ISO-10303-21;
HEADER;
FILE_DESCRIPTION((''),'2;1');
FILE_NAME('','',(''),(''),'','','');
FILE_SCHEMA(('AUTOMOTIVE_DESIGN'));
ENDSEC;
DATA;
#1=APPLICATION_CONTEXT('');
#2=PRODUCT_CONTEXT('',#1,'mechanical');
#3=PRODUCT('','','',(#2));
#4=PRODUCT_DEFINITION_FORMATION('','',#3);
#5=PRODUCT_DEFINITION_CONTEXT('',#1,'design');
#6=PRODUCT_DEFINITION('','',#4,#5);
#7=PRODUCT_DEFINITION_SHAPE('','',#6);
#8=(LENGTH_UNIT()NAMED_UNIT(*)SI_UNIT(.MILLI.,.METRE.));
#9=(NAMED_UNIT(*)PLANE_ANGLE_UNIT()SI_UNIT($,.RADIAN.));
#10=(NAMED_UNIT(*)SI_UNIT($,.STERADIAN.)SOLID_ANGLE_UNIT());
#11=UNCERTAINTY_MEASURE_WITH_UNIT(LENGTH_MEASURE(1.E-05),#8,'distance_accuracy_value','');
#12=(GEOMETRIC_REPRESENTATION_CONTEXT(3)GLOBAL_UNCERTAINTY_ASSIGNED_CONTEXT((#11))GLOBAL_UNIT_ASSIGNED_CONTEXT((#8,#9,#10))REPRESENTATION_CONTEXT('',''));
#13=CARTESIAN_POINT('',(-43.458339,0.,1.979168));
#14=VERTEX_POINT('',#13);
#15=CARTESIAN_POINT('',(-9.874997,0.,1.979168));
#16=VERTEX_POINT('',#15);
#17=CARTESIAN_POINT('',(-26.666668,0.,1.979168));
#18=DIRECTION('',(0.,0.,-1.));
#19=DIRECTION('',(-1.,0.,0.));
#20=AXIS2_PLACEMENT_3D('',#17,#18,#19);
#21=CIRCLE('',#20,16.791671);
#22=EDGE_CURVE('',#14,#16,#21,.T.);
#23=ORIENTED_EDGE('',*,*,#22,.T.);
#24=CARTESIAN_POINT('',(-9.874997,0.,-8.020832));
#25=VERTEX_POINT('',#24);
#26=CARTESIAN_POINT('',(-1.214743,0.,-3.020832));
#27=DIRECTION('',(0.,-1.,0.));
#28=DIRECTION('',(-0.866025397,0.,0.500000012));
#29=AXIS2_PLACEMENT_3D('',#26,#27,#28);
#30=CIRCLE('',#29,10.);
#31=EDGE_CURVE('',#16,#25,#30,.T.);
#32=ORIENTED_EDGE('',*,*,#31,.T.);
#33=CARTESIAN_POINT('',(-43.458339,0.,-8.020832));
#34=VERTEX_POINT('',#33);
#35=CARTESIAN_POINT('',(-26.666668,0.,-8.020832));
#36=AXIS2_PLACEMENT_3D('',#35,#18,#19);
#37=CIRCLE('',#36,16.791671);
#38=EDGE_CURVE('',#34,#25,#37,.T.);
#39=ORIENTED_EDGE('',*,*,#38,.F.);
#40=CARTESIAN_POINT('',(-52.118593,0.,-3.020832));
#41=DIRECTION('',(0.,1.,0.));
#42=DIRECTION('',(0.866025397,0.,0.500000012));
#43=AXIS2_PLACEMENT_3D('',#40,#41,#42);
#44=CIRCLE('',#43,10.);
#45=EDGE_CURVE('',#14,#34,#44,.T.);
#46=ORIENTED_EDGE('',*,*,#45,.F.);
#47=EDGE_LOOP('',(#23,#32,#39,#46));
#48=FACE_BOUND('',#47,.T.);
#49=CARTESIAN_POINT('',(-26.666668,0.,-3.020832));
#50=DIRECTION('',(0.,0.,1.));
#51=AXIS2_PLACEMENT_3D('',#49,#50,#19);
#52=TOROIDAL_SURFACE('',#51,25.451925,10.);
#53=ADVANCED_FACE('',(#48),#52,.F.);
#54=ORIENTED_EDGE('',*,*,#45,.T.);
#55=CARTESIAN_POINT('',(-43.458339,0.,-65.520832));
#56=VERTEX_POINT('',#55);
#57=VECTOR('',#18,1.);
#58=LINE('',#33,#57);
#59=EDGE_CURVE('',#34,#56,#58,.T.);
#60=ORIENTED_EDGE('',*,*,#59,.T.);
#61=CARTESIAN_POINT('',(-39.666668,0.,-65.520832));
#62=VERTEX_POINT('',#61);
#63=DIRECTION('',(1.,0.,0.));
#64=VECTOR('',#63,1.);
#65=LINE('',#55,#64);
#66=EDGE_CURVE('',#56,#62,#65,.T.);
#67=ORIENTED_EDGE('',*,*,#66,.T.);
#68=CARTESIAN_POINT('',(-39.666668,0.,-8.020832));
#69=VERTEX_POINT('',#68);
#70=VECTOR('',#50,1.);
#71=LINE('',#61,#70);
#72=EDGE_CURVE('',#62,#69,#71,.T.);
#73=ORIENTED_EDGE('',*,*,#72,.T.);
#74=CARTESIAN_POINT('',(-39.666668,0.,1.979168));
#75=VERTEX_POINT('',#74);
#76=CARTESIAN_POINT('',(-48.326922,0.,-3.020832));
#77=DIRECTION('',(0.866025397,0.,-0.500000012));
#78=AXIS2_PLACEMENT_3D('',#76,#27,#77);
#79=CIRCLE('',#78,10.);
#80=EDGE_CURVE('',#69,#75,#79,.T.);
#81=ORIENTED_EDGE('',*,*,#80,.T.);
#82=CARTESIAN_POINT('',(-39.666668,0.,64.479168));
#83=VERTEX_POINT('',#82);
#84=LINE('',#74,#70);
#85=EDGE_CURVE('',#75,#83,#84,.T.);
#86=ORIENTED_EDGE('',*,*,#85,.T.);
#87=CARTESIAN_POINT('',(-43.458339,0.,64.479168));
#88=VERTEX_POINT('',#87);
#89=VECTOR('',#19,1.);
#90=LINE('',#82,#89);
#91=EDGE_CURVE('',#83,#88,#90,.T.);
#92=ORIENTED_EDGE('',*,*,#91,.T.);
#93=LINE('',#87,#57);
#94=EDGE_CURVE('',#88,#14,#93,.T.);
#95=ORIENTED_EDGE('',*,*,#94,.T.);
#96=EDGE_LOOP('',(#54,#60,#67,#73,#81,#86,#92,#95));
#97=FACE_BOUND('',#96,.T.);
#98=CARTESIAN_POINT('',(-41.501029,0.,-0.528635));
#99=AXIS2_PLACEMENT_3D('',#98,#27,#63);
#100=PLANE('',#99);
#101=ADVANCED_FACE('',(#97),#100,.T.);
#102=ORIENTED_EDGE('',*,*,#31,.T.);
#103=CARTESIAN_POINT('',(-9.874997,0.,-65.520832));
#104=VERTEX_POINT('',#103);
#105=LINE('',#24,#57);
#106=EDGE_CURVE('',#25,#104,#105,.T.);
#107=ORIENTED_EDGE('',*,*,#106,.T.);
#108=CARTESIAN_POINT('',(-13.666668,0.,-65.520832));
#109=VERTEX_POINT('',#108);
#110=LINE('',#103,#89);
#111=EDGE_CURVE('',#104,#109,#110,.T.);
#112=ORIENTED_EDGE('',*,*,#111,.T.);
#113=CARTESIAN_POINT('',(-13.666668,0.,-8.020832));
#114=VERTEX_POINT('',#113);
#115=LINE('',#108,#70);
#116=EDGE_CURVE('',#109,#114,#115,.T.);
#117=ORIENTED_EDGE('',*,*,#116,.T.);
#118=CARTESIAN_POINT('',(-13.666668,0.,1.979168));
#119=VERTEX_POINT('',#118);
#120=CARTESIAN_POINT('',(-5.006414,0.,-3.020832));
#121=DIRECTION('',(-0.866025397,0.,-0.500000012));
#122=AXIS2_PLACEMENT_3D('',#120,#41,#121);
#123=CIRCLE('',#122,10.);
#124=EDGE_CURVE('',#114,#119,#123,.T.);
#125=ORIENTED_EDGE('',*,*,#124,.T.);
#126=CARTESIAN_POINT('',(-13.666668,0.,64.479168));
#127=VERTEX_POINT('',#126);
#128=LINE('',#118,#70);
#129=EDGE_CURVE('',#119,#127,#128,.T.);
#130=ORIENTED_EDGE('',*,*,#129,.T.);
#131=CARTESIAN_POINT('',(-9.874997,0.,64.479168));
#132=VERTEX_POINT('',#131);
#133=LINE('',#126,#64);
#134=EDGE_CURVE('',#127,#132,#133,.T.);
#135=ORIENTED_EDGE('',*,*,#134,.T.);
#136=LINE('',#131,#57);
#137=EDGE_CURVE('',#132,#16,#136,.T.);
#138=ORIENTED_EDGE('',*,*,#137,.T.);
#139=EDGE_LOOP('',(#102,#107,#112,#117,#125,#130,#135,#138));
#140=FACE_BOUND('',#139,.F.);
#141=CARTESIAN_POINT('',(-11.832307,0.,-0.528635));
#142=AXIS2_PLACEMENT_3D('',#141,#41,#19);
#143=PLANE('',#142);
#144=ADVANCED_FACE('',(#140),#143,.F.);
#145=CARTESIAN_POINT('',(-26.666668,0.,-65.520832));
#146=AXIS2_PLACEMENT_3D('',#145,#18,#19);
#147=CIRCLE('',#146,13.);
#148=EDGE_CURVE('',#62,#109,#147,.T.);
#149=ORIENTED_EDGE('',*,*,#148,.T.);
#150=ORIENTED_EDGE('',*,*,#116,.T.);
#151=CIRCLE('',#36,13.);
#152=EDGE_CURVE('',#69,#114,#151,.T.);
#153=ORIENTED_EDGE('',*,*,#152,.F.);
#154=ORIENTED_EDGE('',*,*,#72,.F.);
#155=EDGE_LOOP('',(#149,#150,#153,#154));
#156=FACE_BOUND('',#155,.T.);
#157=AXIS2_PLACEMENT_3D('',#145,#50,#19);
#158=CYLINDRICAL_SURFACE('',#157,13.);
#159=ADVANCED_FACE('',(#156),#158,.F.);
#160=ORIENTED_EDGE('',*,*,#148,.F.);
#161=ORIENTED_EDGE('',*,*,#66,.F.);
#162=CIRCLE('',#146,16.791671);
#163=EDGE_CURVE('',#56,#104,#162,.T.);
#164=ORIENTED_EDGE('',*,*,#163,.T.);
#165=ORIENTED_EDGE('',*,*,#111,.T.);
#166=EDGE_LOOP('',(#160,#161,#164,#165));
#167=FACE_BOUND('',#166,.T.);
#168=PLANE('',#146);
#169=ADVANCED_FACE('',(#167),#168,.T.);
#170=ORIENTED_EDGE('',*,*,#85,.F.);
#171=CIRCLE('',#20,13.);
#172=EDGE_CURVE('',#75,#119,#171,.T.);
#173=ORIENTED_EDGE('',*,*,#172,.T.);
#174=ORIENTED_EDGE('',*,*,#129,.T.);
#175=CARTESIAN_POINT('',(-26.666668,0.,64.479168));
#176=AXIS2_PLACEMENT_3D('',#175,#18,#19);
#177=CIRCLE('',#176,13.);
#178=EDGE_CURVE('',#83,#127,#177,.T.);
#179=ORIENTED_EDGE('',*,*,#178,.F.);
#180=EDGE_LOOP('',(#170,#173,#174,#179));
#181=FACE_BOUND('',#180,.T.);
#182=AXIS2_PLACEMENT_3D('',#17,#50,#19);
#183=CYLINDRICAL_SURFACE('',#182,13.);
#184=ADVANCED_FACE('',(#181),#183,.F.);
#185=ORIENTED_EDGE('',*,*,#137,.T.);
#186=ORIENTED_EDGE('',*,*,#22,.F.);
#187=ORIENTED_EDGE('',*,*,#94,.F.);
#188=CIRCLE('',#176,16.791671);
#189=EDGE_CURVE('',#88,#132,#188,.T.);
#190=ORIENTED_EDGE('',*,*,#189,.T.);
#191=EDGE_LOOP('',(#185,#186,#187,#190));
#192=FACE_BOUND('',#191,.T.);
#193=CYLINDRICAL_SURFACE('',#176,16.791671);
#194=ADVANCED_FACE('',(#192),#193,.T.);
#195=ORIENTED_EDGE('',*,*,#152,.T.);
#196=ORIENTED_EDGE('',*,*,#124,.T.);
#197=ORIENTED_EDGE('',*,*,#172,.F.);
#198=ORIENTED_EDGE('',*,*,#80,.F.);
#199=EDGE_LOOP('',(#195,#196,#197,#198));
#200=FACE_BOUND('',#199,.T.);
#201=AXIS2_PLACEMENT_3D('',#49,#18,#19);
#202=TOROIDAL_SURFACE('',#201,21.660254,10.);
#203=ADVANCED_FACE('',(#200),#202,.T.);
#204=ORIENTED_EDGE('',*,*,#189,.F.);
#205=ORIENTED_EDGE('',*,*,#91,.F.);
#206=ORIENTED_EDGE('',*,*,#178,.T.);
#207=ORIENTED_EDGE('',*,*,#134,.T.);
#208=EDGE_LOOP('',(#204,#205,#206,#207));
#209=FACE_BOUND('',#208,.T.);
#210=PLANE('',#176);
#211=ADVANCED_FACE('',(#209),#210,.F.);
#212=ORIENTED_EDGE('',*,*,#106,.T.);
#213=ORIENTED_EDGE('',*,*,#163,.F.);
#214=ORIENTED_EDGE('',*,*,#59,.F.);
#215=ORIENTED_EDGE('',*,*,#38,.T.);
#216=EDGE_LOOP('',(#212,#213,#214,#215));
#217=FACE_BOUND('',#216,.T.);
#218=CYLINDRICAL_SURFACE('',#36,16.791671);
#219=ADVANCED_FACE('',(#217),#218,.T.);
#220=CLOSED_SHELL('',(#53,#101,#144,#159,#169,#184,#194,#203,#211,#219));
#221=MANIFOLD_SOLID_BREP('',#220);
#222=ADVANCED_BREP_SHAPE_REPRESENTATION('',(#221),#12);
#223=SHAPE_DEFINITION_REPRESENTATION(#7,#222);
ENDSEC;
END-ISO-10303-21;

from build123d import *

# Parameters (mm, degrees)
F1_ANGLE = 180


with BuildPart() as f1:
    # F0 (on Front) → F1 (revolve)
    with BuildSketch(Plane.XZ):
        with BuildLine():
            Line((-39.666668, 64.479168), (-43.458339, 64.479168))
            Line((-43.458339, 64.479168), (-43.458339, 1.979168))
            ThreePointArc((-43.458339, 1.979168), (-42.118593, -3.020832), (-43.458339, -8.020832))
            Line((-43.458339, -8.020832), (-43.458339, -65.520832))
            Line((-43.458339, -65.520832), (-39.666668, -65.520832))
            Line((-39.666668, -65.520832), (-39.666668, -8.020832))
            ThreePointArc((-39.666668, -8.020832), (-38.326922, -3.020832), (-39.666668, 1.979168))
            Line((-39.666668, 1.979168), (-39.666668, 64.479168))
        make_face()
    revolve(axis=Axis((-26.666668, 0, -1.708331), (0, 0, -1)), revolution_arc=F1_ANGLE)


solid = f1.part
